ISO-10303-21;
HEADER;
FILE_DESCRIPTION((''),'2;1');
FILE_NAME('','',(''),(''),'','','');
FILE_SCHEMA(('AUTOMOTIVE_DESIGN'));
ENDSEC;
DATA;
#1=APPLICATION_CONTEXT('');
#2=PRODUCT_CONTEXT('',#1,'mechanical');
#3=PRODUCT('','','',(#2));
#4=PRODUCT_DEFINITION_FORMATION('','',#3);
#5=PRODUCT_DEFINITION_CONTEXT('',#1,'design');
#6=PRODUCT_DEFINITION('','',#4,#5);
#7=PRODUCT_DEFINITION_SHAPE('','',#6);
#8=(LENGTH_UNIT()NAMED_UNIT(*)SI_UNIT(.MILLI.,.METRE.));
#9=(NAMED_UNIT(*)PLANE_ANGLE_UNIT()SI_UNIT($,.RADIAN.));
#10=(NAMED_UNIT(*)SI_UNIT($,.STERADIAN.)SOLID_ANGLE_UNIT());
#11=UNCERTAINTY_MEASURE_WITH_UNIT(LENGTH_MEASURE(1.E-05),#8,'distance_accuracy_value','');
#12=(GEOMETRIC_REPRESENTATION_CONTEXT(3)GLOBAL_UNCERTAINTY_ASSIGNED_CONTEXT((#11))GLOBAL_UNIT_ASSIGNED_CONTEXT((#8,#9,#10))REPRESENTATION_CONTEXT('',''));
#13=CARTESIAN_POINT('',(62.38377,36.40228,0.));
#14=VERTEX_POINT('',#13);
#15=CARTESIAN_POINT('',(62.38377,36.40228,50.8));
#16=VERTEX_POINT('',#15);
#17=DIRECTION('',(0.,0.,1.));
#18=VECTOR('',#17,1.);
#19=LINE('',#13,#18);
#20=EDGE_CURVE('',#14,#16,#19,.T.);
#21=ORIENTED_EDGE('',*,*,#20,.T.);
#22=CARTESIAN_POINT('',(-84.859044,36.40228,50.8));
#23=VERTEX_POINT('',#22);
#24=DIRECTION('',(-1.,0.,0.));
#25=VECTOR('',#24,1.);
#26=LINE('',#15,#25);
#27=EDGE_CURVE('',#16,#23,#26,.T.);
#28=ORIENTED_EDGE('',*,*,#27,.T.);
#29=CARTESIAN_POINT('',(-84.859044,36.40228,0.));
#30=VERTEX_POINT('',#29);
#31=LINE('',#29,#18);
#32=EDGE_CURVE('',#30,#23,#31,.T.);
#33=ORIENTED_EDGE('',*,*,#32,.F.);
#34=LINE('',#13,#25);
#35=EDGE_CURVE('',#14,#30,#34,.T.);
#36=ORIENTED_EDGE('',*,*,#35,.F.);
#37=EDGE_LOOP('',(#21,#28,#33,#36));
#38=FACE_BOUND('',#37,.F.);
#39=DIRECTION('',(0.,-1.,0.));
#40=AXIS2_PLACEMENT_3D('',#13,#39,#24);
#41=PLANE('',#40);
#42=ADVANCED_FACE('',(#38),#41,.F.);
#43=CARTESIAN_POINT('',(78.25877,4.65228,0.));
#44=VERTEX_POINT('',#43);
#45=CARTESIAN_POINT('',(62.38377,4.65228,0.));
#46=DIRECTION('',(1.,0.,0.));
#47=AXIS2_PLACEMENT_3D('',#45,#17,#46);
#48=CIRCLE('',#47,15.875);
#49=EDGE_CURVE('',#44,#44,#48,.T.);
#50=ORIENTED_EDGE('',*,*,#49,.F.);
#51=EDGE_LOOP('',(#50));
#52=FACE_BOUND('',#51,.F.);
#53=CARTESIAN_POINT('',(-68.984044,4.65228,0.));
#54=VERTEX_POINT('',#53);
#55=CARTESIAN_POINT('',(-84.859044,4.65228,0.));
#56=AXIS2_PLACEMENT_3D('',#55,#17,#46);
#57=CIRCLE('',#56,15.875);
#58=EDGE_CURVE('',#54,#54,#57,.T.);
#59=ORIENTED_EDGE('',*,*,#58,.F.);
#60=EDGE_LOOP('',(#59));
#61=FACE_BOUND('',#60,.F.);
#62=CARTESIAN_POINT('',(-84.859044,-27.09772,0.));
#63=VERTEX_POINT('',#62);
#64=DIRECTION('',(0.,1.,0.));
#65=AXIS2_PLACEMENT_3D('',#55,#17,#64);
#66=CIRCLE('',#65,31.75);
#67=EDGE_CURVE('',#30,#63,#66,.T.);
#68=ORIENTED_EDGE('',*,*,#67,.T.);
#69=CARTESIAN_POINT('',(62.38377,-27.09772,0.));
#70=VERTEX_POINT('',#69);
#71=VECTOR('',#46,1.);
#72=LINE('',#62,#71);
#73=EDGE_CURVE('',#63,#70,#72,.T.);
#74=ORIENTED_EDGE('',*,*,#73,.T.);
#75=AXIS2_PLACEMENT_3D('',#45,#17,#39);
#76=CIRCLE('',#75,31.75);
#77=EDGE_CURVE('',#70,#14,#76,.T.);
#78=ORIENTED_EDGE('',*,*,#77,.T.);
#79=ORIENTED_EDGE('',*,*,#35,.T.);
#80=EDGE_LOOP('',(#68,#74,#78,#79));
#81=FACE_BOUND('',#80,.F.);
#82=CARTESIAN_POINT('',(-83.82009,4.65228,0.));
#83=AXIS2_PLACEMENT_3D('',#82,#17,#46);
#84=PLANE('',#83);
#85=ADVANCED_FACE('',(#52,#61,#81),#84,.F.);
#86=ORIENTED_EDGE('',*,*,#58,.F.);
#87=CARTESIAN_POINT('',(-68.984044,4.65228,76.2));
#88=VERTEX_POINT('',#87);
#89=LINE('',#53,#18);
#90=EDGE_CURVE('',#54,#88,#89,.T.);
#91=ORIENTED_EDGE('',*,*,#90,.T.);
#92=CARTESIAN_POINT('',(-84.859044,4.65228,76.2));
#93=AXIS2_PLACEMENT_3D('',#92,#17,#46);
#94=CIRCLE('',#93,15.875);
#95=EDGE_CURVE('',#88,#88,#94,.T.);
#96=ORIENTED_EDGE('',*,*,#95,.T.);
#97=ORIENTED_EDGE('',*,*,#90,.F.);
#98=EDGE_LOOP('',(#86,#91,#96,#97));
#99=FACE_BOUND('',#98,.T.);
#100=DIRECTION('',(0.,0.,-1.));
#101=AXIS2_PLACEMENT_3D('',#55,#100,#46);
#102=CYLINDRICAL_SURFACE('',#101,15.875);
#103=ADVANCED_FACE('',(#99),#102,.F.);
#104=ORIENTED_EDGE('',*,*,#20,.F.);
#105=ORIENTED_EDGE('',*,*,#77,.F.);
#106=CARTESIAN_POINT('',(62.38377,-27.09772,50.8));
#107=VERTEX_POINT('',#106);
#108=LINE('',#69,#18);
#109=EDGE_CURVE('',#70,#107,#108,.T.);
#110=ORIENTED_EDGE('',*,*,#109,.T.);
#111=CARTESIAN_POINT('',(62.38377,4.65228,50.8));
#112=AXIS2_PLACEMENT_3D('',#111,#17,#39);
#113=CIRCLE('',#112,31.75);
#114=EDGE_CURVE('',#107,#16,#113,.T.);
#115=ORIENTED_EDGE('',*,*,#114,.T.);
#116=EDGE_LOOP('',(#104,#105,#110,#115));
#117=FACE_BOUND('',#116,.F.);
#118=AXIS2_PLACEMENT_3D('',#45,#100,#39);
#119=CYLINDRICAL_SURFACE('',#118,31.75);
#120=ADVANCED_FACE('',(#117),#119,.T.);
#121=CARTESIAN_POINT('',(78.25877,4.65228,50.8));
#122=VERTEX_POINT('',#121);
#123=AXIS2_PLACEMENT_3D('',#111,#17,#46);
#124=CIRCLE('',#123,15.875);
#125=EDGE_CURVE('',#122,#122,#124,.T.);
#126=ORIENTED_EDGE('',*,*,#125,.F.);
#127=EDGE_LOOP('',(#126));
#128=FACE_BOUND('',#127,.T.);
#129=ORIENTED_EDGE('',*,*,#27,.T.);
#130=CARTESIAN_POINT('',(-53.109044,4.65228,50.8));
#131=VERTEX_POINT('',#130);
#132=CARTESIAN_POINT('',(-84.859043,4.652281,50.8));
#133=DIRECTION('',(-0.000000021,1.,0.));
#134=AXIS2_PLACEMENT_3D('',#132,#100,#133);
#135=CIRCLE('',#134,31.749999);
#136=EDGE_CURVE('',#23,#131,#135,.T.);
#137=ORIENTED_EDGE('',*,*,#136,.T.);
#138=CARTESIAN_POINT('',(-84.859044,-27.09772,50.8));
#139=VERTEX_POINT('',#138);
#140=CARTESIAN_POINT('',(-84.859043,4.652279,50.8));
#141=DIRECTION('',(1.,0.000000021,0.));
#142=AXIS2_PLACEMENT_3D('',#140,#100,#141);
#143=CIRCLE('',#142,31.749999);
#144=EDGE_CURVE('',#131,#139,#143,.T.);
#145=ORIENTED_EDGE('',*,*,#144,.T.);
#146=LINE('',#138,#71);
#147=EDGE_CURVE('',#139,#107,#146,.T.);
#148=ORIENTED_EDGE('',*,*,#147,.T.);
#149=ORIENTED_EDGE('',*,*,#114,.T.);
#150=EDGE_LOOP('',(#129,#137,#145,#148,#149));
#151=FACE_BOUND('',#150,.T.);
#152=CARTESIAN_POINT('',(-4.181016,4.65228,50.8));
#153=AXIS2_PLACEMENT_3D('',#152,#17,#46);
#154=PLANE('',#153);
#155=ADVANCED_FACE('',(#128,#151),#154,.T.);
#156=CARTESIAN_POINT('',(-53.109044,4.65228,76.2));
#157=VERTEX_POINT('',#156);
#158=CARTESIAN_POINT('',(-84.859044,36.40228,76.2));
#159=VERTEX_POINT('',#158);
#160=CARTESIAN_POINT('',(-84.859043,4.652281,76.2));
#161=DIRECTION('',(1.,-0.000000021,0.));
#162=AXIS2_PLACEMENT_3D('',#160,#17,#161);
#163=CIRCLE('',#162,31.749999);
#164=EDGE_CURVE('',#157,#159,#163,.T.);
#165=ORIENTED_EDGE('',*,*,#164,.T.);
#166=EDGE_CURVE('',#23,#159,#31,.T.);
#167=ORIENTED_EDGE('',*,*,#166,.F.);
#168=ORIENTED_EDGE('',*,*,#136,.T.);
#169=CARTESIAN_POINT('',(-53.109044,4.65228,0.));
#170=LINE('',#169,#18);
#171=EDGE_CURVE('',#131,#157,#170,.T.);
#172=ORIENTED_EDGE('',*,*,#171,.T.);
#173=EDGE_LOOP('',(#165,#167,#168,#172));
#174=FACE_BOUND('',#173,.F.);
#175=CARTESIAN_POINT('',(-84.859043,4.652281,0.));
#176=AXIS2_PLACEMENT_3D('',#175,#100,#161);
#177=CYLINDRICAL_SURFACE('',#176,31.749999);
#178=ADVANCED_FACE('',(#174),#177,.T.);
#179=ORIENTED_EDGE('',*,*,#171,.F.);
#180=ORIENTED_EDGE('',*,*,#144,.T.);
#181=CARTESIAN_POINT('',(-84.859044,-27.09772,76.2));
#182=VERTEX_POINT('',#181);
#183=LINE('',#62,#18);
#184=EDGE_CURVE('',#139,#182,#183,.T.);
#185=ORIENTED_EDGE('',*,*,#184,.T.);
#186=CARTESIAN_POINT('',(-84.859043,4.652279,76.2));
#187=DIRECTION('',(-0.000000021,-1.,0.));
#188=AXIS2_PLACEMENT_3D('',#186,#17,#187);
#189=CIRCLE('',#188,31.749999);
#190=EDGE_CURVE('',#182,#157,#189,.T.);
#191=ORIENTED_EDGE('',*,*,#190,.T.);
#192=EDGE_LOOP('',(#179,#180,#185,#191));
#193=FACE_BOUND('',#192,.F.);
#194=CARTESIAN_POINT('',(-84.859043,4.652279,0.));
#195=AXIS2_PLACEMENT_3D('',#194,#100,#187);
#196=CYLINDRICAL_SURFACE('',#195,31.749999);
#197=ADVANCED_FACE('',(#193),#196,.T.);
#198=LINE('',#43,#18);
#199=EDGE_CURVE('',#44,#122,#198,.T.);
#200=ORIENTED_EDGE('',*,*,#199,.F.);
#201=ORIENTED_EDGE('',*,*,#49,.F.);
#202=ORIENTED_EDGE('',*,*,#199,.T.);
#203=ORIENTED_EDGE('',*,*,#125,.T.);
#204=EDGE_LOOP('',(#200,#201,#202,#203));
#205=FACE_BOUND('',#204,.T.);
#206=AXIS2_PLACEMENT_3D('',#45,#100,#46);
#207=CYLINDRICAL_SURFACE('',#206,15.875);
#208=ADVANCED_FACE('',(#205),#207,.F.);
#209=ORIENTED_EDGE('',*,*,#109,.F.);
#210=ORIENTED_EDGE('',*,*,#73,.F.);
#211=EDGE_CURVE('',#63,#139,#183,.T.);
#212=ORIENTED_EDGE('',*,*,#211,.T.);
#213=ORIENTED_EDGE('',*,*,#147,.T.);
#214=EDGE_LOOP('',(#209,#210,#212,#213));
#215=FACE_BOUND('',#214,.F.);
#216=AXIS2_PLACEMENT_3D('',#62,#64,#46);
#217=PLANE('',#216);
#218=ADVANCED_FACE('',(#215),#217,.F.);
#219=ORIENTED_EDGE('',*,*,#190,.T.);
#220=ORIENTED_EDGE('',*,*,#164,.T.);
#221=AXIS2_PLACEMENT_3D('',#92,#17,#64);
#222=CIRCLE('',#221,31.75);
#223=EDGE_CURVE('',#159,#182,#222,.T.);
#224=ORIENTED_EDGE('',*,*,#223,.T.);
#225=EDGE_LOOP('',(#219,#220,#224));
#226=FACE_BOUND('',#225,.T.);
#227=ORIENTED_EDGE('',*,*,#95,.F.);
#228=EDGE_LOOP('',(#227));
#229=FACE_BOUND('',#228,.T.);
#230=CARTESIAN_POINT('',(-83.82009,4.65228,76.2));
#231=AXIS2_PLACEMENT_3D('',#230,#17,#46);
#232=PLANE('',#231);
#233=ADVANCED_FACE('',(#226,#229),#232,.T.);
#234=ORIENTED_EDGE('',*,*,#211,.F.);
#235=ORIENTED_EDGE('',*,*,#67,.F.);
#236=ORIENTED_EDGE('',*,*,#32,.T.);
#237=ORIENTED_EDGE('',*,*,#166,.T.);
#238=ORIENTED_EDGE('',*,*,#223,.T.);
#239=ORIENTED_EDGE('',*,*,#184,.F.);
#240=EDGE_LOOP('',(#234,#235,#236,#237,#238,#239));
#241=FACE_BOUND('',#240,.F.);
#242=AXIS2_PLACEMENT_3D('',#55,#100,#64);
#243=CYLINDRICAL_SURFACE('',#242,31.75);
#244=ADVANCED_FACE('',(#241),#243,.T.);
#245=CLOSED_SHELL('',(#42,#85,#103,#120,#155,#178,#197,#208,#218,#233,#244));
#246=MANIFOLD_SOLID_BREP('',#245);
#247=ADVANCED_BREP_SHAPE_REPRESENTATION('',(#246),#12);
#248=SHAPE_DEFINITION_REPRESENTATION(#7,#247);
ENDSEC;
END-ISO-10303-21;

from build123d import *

# Parameters (mm, degrees)
F0_R     = 15.875
F1_DEPTH = 50.8
F2_DEPTH = 76.2


with BuildPart() as f1:
    # F0 (on Top) → F1 (new body)
    with BuildSketch(Plane.XY):
        with BuildLine():
            Line((-11.237637, 36.40228), (-84.859044, 36.40228))
            ThreePointArc((-84.859044, 36.40228), (-62.408403, 27.10292), (-53.109044, 4.65228))
            ThreePointArc((-53.109044, 4.65228), (-62.408403, -17.79836), (-84.859044, -27.09772))
            Line((-84.859044, -27.09772), (-11.237637, -27.09772))
            Line((-11.237637, -27.09772), (62.38377, -27.09772))
            ThreePointArc((62.38377, -27.09772), (94.13377, 4.65228), (62.38377, 36.40228))
            Line((62.38377, 36.40228), (-11.237637, 36.40228))
        make_face()
        with Locations((62.38377, 4.65228)):
            Circle(F0_R, mode=Mode.SUBTRACT)
    extrude(amount=F1_DEPTH)

    # F0 (on Top) → F2 (join)
    with BuildSketch(Plane.XY):
        with BuildLine():
            ThreePointArc((-53.109044, 4.65228), (-62.408403, 27.10292), (-84.859044, 36.40228))
            ThreePointArc((-84.859044, 36.40228), (-116.609044, 4.65228), (-84.859044, -27.09772))
            ThreePointArc((-84.859044, -27.09772), (-62.408403, -17.79836), (-53.109044, 4.65228))
        make_face()
        with Locations((-84.859044, 4.65228)):
            Circle(F0_R, mode=Mode.SUBTRACT)
    extrude(amount=F2_DEPTH)


solid = f1.part
